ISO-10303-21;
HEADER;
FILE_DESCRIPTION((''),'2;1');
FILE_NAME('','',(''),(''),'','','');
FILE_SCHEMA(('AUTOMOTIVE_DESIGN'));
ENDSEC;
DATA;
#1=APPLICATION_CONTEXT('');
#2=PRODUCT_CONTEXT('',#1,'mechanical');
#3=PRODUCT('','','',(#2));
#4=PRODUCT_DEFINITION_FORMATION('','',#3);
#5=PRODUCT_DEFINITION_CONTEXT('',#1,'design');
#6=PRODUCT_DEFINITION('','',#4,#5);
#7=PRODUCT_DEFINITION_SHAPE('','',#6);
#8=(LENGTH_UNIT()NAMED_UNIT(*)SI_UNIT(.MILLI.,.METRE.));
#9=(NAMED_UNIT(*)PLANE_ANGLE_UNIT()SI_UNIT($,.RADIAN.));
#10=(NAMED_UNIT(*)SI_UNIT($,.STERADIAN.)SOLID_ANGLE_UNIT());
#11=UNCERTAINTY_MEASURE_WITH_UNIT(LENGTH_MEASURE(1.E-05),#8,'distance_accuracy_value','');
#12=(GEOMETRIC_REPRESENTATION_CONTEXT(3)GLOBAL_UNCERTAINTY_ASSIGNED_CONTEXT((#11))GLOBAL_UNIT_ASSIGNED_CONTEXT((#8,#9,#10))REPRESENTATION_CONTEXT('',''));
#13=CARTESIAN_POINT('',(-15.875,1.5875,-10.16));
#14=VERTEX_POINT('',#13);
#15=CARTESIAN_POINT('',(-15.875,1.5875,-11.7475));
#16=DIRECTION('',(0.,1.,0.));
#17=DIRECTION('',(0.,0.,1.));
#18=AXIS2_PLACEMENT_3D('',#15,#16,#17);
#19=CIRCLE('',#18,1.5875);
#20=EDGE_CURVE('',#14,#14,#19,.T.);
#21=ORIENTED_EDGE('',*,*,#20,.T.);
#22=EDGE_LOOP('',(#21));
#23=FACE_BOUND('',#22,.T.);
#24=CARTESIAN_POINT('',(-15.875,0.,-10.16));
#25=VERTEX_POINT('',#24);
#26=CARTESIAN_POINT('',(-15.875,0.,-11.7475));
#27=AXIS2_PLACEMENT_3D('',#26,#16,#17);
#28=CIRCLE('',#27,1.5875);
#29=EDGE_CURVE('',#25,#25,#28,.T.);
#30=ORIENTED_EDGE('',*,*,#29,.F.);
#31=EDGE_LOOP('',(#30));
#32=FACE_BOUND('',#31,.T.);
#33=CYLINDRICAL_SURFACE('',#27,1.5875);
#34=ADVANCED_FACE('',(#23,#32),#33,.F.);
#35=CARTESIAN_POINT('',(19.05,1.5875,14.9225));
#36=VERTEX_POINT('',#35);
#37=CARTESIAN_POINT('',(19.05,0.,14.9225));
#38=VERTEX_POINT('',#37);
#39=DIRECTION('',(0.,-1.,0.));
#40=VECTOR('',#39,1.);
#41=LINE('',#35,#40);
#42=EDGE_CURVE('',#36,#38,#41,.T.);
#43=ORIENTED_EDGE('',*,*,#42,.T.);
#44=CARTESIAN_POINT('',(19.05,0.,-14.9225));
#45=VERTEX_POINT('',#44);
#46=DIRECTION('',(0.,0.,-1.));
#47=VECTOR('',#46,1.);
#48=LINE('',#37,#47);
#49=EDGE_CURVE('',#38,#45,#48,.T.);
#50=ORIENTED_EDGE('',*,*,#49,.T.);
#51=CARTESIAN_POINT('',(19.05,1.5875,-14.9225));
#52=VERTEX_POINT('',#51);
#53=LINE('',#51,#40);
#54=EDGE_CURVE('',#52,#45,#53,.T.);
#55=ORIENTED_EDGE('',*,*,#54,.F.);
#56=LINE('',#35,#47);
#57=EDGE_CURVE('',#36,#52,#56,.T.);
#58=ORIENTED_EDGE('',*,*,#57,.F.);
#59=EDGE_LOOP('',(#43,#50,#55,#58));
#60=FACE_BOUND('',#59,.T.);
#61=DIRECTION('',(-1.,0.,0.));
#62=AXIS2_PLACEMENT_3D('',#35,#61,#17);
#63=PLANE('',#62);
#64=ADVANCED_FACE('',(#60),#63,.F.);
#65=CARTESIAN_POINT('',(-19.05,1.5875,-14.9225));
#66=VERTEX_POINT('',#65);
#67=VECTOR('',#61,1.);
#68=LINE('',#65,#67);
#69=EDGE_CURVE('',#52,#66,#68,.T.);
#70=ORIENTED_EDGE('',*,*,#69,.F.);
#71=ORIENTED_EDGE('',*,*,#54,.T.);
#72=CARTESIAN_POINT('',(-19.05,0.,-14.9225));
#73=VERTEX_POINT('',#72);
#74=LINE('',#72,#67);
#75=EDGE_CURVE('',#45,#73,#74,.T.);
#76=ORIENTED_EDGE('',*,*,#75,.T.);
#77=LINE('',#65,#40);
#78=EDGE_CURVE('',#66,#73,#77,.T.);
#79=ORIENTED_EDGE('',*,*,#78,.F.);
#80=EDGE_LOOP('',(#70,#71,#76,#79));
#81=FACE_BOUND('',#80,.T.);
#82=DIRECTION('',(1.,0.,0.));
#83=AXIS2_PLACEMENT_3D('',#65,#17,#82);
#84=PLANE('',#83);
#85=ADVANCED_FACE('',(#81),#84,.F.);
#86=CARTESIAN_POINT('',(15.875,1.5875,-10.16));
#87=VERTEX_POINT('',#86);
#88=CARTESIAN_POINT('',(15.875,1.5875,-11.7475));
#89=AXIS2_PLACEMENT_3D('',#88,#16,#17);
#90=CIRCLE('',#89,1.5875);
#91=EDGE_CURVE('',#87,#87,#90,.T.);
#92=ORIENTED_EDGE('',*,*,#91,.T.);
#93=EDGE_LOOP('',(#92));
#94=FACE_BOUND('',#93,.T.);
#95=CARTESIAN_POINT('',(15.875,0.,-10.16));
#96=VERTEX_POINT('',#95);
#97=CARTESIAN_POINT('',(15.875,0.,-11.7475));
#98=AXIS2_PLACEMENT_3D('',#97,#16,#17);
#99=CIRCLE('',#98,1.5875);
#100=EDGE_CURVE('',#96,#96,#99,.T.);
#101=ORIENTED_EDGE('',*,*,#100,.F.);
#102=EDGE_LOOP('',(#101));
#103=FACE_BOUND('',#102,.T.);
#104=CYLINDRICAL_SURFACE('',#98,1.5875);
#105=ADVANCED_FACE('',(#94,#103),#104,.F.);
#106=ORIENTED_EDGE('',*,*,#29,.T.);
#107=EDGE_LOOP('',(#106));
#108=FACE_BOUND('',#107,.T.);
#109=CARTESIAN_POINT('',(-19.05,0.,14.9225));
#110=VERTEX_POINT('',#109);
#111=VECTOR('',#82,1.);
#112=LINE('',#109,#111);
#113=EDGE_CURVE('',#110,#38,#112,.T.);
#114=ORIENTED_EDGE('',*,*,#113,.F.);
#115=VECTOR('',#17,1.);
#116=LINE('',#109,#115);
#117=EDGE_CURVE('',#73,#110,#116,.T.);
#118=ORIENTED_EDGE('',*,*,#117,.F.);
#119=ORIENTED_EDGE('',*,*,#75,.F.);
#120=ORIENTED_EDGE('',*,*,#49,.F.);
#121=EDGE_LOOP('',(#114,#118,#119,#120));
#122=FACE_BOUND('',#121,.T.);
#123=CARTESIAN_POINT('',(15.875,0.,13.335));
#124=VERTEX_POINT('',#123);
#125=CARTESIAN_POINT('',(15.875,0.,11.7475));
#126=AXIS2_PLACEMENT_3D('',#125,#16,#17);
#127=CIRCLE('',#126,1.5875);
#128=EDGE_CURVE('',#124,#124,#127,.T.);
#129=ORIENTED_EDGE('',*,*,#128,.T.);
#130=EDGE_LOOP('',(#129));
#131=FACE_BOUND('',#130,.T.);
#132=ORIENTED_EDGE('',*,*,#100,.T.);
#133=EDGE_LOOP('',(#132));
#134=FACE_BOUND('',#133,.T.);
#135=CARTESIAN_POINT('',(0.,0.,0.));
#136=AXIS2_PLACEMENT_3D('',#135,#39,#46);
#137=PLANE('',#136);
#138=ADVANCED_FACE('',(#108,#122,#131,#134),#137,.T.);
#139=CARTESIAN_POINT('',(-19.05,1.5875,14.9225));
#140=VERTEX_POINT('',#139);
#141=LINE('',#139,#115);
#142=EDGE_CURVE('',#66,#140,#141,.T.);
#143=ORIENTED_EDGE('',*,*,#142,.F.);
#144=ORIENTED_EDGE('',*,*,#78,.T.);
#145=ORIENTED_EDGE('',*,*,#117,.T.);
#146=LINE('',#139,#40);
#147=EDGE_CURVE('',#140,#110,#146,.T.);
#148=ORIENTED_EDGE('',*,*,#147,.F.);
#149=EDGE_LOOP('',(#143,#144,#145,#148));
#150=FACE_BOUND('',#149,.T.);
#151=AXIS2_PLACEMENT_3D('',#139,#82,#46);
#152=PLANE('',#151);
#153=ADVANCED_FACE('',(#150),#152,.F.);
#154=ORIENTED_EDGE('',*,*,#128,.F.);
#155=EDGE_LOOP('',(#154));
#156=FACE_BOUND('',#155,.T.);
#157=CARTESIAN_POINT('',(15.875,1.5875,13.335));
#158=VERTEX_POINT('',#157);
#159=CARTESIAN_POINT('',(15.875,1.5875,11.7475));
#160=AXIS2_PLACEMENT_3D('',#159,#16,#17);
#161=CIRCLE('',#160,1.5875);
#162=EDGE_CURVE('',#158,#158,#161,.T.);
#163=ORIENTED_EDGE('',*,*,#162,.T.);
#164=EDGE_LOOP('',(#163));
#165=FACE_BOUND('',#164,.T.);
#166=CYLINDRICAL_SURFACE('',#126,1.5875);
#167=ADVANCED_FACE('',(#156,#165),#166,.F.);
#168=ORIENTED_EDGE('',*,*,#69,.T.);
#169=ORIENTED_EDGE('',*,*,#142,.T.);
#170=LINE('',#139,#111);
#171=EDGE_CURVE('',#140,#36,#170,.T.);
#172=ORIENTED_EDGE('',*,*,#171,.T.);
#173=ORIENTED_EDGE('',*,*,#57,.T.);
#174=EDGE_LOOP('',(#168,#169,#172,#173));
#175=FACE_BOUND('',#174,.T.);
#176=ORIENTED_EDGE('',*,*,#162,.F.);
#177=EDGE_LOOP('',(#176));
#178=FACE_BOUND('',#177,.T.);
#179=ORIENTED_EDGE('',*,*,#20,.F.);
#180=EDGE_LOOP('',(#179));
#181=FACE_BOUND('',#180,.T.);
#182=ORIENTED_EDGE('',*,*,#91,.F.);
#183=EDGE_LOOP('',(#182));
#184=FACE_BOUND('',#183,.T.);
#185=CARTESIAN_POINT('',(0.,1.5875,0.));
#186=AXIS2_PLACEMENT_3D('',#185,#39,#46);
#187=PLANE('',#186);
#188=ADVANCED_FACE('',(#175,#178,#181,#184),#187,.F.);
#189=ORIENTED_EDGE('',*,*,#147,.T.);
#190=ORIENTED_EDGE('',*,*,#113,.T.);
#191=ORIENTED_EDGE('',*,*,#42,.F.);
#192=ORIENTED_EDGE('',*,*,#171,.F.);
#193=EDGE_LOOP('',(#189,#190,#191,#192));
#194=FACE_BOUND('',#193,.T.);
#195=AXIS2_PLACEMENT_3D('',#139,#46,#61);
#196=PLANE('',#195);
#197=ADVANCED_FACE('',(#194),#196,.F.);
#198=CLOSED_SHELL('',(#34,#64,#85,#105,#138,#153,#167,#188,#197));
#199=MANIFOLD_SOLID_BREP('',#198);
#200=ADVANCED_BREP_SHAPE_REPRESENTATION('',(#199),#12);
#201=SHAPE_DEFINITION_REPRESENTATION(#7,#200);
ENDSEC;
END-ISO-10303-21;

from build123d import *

# Parameters (mm, degrees)
SKETCH1_W           = 38.1
SKETCH1_H           = 29.845
BOSS_EXTRUDE1_DEPTH = 1.5875
SKETCH2_R           = 1.5875
CUT_EXTRUDE1_DEPTH  = 25.250848696


with BuildPart() as part:
    # Sketch1 → Boss-Extrude1 (new body)
    with BuildSketch(Plane(origin=(0, 0, 0), x_dir=(1, 0, 0), z_dir=(0, 1, 0))):
        Rectangle(SKETCH1_W, SKETCH1_H)
    extrude(amount=BOSS_EXTRUDE1_DEPTH)

    # Sketch2 → Cut-Extrude1 (cut, through all)
    with BuildSketch(Plane(origin=(0, 1.5875, 0), x_dir=(1, 0, 0), z_dir=(0, 1, 0))):
        with Locations(Location((-15.875, 11.7475, 0), (0, 0, 270))):
            Circle(SKETCH2_R)
        with Locations(Location((15.875, 11.7475, 0), (0, 0, 270))):
            Circle(SKETCH2_R)
        with Locations(Location((15.875, -11.7475, 0), (0, 0, 270))):
            Circle(SKETCH2_R)
    extrude(amount=-CUT_EXTRUDE1_DEPTH, mode=Mode.SUBTRACT)


solid = part.part
